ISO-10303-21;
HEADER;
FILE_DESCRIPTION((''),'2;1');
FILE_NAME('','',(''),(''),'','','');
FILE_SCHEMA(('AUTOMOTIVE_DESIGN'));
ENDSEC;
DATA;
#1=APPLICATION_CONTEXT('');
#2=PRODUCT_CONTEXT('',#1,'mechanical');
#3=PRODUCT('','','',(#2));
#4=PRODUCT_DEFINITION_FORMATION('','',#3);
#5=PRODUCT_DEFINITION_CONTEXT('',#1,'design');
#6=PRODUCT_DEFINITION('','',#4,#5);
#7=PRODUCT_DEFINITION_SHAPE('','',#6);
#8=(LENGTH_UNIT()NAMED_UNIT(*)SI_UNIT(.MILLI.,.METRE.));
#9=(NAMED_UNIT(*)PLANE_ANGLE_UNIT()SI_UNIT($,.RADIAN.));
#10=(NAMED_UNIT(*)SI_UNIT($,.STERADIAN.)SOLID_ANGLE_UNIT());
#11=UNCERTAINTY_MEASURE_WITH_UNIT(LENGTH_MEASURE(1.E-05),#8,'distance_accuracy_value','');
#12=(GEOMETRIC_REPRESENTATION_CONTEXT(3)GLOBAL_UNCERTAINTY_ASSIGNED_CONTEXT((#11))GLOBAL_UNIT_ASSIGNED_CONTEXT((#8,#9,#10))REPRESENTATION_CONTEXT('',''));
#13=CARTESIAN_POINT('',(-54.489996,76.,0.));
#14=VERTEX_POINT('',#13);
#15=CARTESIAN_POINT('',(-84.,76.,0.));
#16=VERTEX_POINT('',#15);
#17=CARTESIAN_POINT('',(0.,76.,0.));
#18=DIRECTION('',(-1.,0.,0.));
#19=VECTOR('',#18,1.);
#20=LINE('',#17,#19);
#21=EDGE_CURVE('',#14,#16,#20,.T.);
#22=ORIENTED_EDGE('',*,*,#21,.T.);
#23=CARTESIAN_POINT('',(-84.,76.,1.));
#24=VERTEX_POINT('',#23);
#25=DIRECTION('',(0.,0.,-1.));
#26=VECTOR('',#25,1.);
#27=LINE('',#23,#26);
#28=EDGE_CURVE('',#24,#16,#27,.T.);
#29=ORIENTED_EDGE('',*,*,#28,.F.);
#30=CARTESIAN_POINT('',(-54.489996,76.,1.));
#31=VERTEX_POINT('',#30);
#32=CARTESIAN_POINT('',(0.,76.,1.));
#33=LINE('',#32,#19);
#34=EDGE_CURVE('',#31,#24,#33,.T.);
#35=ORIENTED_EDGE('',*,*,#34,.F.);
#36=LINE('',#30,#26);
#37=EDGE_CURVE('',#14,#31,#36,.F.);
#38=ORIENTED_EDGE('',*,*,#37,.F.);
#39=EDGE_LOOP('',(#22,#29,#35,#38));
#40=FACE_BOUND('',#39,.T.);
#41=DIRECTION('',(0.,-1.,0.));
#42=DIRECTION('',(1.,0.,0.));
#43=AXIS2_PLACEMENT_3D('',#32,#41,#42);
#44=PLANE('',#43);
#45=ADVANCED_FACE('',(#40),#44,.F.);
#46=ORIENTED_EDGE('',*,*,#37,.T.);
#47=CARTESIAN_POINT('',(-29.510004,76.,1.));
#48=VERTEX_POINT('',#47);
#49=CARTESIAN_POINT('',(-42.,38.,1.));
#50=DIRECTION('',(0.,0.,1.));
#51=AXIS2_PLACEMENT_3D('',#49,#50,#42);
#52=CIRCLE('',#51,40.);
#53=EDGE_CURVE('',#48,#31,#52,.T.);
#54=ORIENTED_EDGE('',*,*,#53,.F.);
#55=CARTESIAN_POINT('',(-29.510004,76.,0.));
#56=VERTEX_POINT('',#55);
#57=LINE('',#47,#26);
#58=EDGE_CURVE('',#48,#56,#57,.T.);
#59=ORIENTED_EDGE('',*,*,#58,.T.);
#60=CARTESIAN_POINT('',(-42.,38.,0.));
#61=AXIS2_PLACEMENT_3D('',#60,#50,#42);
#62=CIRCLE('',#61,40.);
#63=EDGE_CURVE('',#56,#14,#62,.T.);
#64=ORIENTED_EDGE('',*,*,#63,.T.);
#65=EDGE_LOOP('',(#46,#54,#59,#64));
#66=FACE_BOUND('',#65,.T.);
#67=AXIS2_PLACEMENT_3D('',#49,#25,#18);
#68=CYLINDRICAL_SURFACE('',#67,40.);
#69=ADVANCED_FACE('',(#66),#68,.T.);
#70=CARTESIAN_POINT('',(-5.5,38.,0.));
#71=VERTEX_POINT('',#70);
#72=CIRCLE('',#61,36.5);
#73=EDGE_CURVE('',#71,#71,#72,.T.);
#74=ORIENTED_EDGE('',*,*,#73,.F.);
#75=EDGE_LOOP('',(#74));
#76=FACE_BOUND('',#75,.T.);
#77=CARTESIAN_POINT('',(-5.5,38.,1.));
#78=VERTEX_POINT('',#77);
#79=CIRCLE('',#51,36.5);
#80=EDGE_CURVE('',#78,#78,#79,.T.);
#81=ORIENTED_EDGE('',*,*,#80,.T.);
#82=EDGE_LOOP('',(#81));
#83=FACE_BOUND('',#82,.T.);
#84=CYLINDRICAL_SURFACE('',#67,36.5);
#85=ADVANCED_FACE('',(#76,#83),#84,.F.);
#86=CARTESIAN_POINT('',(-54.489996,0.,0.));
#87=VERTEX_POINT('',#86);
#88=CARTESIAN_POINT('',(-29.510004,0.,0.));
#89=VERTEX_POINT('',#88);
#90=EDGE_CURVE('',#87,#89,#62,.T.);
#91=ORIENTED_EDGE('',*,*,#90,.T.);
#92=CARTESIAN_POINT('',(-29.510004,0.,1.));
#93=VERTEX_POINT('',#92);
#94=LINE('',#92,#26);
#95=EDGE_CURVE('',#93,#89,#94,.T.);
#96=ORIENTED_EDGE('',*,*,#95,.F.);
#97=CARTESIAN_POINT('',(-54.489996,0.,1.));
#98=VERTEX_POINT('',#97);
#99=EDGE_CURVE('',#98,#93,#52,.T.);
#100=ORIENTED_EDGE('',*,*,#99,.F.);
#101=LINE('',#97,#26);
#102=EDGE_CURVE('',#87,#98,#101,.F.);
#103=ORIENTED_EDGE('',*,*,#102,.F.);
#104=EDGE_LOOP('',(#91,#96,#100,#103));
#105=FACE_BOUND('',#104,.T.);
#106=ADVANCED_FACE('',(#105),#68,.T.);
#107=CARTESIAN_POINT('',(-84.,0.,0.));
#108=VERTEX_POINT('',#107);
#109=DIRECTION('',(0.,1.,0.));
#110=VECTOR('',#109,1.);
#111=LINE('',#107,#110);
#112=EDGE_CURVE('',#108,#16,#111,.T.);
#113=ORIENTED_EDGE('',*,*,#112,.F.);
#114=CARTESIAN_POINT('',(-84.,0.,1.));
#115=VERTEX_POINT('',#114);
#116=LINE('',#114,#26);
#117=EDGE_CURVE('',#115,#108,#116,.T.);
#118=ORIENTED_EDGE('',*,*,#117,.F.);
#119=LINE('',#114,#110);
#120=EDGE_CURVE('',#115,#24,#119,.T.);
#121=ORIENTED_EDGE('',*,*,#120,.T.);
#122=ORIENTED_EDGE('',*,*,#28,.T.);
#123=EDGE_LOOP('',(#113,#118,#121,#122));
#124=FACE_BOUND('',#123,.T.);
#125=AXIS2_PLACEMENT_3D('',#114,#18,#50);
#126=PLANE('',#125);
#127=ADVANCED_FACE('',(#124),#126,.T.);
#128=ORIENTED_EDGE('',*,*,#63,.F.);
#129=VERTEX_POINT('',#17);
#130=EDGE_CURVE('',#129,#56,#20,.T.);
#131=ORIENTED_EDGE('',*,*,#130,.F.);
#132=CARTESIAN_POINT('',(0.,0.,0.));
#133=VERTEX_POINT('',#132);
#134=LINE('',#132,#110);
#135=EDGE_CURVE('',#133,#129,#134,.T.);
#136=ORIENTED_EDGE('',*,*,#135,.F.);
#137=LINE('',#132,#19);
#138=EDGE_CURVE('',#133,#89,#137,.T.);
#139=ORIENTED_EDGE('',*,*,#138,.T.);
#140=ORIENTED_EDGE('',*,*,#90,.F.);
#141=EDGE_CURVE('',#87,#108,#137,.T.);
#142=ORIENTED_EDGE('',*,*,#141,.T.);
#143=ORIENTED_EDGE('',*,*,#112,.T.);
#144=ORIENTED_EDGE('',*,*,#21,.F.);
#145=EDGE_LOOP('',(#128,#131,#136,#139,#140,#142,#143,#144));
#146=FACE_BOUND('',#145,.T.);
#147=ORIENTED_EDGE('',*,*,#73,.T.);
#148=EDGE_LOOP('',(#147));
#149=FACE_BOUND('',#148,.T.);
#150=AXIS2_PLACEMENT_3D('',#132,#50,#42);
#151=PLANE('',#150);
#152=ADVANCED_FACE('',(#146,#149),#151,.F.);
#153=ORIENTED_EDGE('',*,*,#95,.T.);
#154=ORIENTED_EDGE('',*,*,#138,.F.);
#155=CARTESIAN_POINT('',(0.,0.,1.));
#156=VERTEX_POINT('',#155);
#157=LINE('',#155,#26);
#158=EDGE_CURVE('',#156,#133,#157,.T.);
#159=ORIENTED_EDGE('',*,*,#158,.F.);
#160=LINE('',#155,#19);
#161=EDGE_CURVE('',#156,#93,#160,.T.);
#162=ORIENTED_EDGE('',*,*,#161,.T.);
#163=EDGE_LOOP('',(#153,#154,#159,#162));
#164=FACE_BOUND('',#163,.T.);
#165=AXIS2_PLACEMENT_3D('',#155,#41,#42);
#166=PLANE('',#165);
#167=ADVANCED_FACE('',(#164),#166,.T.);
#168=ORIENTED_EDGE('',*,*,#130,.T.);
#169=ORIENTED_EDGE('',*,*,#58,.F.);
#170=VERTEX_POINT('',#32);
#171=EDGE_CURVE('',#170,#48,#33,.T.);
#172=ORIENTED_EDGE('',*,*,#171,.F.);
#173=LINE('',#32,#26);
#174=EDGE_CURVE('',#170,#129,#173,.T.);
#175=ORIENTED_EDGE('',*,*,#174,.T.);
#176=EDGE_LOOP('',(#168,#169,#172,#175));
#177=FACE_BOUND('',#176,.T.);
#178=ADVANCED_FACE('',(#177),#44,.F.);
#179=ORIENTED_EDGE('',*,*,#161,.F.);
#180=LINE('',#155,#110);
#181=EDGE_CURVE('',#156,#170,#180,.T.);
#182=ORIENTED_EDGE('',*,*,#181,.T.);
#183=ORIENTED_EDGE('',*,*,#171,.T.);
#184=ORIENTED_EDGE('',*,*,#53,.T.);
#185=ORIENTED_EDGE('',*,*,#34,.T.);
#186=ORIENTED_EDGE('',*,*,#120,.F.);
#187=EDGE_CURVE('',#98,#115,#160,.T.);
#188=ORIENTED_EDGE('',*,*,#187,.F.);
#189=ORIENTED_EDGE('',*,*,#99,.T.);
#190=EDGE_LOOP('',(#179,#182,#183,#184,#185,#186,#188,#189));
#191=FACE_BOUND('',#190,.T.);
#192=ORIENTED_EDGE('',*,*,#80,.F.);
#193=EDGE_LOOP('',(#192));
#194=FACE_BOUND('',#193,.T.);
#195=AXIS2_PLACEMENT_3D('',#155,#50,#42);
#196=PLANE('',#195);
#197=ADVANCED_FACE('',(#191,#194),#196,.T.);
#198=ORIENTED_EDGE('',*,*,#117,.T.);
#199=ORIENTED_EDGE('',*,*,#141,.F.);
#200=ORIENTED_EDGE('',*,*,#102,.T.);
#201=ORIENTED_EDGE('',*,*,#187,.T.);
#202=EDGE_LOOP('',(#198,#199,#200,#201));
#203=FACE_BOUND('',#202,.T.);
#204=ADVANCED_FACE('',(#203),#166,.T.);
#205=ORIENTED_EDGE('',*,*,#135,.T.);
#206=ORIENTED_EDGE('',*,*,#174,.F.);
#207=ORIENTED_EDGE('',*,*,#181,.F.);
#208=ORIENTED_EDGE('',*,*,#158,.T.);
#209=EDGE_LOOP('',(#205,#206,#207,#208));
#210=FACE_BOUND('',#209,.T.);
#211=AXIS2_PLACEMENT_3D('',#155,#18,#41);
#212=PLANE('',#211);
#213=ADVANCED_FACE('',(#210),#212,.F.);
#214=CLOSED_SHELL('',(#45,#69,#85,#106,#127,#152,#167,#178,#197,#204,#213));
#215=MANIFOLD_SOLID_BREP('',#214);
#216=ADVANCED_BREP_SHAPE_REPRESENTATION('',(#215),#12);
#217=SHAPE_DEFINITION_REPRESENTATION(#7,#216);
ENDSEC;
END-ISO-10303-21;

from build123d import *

# Parameters (mm, degrees)
SKETCH1_R           = 36.5
BOSS_EXTRUDE1_DEPTH = 1


with BuildPart() as part:
    # Sketch1 → Boss-Extrude1 (new body)
    with BuildSketch(Plane.XY):
        with BuildLine():
            Line((-29.510004003, 0), (0, 0))
            Line((0, 0), (0, 76))
            Line((0, 76), (-29.510004003, 76))
            ThreePointArc((-29.510004003, 76), (-42, 78), (-54.489995997, 76))
            Line((-54.489995997, 76), (-84, 76))
            Line((-84, 76), (-84, 0))
            Line((-84, 0), (-54.489995997, 0))
            ThreePointArc((-54.489995997, 0), (-42, -2), (-29.510004003, 0))
        make_face()
        with Locations((-42, 38)):
            Circle(SKETCH1_R, mode=Mode.SUBTRACT)
    extrude(amount=BOSS_EXTRUDE1_DEPTH)


solid = part.part
